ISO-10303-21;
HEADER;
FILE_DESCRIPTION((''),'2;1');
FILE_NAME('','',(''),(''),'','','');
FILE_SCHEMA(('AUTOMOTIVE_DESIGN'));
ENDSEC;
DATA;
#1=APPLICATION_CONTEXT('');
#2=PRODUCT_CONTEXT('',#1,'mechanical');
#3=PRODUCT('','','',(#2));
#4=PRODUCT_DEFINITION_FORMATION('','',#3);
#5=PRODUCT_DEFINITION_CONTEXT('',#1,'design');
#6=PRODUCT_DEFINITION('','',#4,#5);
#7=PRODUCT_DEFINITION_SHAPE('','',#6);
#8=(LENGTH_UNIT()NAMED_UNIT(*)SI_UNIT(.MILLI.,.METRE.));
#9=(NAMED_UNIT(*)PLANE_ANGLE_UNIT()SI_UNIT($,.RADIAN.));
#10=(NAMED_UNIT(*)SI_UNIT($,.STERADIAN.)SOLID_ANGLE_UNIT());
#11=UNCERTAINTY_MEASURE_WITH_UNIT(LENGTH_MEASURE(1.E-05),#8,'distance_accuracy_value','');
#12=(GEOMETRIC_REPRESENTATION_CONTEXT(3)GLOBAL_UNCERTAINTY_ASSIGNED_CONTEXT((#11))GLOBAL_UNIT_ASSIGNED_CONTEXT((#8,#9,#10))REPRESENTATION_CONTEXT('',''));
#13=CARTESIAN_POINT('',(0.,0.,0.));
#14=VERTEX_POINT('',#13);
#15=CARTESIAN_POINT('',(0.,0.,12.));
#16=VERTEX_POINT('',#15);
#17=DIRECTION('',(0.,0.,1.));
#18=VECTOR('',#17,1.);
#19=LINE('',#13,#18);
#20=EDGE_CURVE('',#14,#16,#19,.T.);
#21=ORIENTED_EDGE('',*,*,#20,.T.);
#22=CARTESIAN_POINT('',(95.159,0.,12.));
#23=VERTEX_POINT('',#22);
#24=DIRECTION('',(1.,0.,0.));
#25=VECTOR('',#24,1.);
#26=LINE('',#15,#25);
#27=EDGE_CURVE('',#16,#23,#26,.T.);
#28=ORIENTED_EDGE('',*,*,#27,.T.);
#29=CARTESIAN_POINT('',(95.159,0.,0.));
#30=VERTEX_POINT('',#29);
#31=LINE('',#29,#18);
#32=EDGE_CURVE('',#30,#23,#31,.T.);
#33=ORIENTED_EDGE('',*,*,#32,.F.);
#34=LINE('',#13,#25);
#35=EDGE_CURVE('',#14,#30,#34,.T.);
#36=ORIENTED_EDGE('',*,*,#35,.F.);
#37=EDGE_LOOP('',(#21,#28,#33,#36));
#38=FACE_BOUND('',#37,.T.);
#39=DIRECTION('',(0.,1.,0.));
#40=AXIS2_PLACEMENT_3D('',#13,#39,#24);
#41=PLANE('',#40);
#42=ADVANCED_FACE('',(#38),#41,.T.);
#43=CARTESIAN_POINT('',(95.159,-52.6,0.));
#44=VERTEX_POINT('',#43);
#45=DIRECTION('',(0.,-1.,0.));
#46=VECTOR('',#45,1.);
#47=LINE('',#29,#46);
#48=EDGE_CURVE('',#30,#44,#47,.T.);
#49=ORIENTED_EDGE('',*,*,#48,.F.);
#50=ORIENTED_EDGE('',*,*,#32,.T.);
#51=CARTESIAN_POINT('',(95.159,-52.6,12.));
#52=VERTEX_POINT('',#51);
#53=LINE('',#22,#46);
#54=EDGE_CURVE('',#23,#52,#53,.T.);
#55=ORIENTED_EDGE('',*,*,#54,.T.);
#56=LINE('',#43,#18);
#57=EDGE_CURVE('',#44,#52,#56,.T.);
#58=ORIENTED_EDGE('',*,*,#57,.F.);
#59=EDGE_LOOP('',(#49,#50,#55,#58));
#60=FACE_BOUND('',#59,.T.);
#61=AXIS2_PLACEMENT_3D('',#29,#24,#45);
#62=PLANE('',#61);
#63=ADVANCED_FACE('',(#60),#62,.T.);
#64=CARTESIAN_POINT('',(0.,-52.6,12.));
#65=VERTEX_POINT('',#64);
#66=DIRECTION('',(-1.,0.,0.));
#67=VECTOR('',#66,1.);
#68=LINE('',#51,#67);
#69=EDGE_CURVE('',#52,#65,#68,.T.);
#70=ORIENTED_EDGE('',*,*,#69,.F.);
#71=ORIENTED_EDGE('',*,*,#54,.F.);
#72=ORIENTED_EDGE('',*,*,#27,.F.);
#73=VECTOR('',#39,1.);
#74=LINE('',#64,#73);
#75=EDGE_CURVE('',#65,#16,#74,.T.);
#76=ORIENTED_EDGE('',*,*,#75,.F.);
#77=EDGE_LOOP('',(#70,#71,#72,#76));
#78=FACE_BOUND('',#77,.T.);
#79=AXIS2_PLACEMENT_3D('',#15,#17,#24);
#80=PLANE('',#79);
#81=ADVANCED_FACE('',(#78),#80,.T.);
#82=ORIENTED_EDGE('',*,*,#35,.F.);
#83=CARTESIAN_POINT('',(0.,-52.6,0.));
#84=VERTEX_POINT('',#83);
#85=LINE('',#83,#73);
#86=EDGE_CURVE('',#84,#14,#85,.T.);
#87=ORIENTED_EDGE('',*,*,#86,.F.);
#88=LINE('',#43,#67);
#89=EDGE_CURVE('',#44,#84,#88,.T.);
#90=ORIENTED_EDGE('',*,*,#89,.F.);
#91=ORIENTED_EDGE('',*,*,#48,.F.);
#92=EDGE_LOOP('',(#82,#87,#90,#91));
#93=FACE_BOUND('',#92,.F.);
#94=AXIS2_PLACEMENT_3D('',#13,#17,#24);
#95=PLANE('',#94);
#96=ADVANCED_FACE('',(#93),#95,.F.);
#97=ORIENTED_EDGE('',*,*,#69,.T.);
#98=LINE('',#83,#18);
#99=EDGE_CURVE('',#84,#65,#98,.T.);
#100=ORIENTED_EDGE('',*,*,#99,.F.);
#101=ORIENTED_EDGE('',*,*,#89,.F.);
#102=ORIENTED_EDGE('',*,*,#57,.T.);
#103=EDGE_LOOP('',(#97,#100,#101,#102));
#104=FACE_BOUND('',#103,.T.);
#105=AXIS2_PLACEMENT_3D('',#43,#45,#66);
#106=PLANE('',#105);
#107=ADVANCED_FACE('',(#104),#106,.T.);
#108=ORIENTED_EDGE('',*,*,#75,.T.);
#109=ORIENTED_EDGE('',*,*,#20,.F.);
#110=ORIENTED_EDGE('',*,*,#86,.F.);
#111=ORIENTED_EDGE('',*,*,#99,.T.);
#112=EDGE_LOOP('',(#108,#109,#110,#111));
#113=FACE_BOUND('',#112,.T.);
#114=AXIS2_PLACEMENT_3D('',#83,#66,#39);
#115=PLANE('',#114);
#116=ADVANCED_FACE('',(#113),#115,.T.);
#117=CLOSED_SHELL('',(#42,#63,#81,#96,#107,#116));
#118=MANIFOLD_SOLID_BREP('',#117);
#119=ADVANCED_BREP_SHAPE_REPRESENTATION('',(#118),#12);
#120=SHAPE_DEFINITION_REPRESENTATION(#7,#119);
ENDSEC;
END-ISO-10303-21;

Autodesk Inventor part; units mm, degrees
ref_plane "YZ Plane" through (0, 0, 0) normal (1, 0, 0) x (0, 1, 0)
ref_plane "XZ Plane" through (0, 0, 0) normal (0, 1, 0) x (-1, 0, 0)
ref_plane "XY Plane" through (0, 0, 0) normal (0, 0, 1) x (1, 0, 0)
sketch "Sketch1" plane through (0, 0, 0) normal (0, 0, 1) x (1, 0, 0)
  line L0 (0, 0) -> (95.159, 0)
  line L1 (95.159, 0) -> (95.159, -52.6)
  line L2 (95.159, -52.6) -> (0, -52.6)
  line L3 (0, -52.6) -> (0, 0)
  dimension "d0" = 52.6
  dimension "d1" = 95.159
extrude "Extrusion1" add sketch "Sketch1" along normal blind 12
properties part number "Convex Organ Bank Joint Slot"
